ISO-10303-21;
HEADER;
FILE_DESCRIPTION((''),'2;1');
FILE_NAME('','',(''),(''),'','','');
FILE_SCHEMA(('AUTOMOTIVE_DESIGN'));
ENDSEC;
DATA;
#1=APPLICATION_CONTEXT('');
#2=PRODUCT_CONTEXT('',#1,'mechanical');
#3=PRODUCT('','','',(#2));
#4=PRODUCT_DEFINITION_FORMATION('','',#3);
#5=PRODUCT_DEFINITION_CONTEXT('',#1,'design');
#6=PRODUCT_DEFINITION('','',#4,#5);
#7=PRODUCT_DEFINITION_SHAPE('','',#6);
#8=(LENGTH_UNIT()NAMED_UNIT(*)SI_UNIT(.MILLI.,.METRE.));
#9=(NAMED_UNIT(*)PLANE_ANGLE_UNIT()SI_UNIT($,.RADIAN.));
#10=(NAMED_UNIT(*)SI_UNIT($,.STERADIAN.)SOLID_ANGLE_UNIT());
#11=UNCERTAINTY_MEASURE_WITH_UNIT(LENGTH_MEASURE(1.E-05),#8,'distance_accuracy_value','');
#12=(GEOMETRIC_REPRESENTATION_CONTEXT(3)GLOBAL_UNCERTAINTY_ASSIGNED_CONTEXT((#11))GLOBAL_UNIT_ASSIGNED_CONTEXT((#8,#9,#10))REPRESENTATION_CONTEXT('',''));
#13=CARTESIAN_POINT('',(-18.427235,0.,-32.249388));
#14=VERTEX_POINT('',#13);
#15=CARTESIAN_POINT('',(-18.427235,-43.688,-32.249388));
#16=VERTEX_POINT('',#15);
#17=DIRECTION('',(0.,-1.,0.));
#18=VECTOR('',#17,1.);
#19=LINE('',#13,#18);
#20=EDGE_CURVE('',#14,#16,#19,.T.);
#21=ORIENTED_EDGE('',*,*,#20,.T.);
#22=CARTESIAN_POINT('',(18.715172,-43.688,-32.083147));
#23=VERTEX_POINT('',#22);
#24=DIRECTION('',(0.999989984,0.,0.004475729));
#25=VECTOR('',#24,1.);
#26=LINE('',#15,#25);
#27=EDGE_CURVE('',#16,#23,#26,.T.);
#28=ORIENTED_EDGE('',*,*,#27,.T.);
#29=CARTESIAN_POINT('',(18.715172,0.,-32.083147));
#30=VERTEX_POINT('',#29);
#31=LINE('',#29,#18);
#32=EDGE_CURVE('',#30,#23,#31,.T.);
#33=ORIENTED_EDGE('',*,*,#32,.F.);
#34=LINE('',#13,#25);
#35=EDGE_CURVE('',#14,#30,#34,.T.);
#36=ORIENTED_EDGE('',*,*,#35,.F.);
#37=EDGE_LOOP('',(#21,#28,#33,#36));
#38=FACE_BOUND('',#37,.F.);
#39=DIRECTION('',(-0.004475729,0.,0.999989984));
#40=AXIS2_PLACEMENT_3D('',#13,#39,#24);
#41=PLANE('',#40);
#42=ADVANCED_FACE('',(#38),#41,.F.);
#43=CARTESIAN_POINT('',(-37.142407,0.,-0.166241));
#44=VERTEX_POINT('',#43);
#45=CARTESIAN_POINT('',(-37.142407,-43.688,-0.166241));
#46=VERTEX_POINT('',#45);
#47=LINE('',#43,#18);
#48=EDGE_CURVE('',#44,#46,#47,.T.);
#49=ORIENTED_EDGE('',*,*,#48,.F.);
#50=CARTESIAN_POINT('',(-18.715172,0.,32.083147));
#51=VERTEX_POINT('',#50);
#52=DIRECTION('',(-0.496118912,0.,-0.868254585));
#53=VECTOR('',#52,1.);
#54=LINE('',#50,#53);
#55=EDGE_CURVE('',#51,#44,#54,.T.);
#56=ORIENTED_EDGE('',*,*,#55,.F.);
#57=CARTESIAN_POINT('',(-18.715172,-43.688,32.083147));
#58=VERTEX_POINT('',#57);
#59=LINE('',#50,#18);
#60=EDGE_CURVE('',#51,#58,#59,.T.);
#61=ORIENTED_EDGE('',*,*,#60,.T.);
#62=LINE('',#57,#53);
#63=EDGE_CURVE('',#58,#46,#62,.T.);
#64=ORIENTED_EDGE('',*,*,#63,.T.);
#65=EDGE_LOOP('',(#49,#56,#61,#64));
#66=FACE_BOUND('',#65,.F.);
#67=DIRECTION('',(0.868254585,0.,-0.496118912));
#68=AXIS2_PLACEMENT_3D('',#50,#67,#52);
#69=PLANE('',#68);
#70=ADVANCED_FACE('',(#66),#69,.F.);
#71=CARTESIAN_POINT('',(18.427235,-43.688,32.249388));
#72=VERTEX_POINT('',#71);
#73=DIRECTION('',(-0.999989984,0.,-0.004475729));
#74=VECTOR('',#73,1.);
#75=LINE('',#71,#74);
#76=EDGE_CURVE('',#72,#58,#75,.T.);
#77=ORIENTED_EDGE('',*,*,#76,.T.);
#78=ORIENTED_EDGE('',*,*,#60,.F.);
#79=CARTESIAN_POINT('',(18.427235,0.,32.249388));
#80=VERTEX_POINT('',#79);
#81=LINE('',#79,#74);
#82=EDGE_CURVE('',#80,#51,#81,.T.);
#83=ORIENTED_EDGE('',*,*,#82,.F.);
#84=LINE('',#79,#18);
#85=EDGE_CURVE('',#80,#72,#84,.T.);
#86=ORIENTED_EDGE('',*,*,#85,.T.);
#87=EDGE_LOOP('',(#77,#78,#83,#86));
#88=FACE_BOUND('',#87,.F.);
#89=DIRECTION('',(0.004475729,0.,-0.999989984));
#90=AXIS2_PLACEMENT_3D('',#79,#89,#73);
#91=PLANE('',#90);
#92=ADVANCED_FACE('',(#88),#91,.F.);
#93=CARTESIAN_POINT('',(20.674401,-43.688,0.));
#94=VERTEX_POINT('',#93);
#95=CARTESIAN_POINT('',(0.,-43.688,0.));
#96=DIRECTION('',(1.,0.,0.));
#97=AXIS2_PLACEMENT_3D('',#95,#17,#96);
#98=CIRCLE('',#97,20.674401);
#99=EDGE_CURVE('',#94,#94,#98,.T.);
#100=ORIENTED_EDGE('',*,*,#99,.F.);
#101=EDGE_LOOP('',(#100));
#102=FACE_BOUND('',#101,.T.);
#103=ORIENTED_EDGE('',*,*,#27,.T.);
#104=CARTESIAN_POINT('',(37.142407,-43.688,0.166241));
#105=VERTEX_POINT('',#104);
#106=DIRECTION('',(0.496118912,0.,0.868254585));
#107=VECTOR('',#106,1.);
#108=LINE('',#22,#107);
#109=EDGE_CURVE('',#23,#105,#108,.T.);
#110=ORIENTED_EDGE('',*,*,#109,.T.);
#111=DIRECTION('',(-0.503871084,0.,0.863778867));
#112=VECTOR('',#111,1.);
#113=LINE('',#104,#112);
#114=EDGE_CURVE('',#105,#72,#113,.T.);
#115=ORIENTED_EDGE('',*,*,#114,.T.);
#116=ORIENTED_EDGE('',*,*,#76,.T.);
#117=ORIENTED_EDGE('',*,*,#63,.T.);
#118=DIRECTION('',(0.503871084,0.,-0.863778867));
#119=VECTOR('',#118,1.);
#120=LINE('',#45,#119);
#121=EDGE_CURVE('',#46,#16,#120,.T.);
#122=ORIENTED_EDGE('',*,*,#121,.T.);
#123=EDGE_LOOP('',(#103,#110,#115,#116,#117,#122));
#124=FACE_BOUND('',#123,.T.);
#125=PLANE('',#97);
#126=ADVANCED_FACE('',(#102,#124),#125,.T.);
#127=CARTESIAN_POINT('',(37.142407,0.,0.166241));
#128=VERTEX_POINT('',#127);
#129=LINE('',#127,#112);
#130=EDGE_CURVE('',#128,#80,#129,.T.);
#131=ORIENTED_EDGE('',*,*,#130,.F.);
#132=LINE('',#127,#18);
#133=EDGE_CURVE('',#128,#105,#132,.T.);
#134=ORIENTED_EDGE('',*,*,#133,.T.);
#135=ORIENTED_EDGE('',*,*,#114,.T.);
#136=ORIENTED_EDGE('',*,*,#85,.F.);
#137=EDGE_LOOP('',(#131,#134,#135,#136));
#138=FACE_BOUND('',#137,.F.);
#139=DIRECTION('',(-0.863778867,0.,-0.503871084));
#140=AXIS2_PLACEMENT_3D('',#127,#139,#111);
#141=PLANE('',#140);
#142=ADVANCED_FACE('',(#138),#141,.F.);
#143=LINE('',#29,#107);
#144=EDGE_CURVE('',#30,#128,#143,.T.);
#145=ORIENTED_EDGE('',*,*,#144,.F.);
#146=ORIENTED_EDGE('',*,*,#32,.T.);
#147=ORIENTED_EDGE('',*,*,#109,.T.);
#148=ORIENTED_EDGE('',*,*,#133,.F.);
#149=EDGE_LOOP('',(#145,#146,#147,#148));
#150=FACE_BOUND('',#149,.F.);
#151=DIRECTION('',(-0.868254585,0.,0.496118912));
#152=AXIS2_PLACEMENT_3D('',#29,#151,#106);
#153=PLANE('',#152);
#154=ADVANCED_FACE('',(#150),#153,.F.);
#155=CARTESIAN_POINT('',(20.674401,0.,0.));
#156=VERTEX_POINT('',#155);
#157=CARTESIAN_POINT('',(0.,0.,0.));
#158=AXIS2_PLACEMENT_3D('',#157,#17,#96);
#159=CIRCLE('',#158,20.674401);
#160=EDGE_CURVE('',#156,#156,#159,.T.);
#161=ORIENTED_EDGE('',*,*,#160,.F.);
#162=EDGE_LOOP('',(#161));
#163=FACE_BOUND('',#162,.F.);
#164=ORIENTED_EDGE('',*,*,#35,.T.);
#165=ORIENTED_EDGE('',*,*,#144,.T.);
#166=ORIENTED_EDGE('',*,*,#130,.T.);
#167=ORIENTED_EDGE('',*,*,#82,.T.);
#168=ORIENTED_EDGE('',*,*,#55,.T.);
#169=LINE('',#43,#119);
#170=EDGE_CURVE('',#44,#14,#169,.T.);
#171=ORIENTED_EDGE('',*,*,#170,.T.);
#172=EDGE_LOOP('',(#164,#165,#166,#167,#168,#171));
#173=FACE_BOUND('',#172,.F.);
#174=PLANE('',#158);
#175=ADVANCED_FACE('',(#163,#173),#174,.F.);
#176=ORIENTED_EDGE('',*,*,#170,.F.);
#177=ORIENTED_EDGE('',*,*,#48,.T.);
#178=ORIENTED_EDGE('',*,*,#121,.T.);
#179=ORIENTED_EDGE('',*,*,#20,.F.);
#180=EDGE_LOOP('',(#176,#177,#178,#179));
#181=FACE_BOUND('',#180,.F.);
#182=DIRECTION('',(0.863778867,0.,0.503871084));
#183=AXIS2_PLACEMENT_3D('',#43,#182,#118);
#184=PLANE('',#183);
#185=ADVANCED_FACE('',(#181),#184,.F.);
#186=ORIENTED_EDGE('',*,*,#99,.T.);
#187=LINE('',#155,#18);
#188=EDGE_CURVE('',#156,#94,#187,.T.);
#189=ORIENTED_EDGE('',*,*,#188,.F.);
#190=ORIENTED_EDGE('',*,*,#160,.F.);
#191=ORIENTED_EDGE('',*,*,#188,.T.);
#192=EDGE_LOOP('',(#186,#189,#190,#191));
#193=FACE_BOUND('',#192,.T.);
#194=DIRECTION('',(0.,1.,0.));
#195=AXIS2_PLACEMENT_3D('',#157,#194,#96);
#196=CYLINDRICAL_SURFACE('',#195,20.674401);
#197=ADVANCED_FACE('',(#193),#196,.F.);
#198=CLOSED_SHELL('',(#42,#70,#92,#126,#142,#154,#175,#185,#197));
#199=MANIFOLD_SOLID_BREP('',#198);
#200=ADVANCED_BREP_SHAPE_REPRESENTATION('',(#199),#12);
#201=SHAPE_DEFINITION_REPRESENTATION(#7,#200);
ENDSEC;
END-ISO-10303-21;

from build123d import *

# Parameters (mm, degrees)
F1_R     = 20.674401
F2_DEPTH = 43.688


with BuildPart() as f2:
    # F1 (on face) → F2 (new body)
    with BuildSketch(Plane.XZ):
        Polygon((37.142407, 0.166241), (18.427235, 32.249388), (-18.715172, 32.083147), (-37.142407, -0.166241), (-18.427235, -32.249388), (18.715172, -32.083147), align=None)
        Circle(F1_R, mode=Mode.SUBTRACT)
    extrude(amount=F2_DEPTH)


solid = f2.part
